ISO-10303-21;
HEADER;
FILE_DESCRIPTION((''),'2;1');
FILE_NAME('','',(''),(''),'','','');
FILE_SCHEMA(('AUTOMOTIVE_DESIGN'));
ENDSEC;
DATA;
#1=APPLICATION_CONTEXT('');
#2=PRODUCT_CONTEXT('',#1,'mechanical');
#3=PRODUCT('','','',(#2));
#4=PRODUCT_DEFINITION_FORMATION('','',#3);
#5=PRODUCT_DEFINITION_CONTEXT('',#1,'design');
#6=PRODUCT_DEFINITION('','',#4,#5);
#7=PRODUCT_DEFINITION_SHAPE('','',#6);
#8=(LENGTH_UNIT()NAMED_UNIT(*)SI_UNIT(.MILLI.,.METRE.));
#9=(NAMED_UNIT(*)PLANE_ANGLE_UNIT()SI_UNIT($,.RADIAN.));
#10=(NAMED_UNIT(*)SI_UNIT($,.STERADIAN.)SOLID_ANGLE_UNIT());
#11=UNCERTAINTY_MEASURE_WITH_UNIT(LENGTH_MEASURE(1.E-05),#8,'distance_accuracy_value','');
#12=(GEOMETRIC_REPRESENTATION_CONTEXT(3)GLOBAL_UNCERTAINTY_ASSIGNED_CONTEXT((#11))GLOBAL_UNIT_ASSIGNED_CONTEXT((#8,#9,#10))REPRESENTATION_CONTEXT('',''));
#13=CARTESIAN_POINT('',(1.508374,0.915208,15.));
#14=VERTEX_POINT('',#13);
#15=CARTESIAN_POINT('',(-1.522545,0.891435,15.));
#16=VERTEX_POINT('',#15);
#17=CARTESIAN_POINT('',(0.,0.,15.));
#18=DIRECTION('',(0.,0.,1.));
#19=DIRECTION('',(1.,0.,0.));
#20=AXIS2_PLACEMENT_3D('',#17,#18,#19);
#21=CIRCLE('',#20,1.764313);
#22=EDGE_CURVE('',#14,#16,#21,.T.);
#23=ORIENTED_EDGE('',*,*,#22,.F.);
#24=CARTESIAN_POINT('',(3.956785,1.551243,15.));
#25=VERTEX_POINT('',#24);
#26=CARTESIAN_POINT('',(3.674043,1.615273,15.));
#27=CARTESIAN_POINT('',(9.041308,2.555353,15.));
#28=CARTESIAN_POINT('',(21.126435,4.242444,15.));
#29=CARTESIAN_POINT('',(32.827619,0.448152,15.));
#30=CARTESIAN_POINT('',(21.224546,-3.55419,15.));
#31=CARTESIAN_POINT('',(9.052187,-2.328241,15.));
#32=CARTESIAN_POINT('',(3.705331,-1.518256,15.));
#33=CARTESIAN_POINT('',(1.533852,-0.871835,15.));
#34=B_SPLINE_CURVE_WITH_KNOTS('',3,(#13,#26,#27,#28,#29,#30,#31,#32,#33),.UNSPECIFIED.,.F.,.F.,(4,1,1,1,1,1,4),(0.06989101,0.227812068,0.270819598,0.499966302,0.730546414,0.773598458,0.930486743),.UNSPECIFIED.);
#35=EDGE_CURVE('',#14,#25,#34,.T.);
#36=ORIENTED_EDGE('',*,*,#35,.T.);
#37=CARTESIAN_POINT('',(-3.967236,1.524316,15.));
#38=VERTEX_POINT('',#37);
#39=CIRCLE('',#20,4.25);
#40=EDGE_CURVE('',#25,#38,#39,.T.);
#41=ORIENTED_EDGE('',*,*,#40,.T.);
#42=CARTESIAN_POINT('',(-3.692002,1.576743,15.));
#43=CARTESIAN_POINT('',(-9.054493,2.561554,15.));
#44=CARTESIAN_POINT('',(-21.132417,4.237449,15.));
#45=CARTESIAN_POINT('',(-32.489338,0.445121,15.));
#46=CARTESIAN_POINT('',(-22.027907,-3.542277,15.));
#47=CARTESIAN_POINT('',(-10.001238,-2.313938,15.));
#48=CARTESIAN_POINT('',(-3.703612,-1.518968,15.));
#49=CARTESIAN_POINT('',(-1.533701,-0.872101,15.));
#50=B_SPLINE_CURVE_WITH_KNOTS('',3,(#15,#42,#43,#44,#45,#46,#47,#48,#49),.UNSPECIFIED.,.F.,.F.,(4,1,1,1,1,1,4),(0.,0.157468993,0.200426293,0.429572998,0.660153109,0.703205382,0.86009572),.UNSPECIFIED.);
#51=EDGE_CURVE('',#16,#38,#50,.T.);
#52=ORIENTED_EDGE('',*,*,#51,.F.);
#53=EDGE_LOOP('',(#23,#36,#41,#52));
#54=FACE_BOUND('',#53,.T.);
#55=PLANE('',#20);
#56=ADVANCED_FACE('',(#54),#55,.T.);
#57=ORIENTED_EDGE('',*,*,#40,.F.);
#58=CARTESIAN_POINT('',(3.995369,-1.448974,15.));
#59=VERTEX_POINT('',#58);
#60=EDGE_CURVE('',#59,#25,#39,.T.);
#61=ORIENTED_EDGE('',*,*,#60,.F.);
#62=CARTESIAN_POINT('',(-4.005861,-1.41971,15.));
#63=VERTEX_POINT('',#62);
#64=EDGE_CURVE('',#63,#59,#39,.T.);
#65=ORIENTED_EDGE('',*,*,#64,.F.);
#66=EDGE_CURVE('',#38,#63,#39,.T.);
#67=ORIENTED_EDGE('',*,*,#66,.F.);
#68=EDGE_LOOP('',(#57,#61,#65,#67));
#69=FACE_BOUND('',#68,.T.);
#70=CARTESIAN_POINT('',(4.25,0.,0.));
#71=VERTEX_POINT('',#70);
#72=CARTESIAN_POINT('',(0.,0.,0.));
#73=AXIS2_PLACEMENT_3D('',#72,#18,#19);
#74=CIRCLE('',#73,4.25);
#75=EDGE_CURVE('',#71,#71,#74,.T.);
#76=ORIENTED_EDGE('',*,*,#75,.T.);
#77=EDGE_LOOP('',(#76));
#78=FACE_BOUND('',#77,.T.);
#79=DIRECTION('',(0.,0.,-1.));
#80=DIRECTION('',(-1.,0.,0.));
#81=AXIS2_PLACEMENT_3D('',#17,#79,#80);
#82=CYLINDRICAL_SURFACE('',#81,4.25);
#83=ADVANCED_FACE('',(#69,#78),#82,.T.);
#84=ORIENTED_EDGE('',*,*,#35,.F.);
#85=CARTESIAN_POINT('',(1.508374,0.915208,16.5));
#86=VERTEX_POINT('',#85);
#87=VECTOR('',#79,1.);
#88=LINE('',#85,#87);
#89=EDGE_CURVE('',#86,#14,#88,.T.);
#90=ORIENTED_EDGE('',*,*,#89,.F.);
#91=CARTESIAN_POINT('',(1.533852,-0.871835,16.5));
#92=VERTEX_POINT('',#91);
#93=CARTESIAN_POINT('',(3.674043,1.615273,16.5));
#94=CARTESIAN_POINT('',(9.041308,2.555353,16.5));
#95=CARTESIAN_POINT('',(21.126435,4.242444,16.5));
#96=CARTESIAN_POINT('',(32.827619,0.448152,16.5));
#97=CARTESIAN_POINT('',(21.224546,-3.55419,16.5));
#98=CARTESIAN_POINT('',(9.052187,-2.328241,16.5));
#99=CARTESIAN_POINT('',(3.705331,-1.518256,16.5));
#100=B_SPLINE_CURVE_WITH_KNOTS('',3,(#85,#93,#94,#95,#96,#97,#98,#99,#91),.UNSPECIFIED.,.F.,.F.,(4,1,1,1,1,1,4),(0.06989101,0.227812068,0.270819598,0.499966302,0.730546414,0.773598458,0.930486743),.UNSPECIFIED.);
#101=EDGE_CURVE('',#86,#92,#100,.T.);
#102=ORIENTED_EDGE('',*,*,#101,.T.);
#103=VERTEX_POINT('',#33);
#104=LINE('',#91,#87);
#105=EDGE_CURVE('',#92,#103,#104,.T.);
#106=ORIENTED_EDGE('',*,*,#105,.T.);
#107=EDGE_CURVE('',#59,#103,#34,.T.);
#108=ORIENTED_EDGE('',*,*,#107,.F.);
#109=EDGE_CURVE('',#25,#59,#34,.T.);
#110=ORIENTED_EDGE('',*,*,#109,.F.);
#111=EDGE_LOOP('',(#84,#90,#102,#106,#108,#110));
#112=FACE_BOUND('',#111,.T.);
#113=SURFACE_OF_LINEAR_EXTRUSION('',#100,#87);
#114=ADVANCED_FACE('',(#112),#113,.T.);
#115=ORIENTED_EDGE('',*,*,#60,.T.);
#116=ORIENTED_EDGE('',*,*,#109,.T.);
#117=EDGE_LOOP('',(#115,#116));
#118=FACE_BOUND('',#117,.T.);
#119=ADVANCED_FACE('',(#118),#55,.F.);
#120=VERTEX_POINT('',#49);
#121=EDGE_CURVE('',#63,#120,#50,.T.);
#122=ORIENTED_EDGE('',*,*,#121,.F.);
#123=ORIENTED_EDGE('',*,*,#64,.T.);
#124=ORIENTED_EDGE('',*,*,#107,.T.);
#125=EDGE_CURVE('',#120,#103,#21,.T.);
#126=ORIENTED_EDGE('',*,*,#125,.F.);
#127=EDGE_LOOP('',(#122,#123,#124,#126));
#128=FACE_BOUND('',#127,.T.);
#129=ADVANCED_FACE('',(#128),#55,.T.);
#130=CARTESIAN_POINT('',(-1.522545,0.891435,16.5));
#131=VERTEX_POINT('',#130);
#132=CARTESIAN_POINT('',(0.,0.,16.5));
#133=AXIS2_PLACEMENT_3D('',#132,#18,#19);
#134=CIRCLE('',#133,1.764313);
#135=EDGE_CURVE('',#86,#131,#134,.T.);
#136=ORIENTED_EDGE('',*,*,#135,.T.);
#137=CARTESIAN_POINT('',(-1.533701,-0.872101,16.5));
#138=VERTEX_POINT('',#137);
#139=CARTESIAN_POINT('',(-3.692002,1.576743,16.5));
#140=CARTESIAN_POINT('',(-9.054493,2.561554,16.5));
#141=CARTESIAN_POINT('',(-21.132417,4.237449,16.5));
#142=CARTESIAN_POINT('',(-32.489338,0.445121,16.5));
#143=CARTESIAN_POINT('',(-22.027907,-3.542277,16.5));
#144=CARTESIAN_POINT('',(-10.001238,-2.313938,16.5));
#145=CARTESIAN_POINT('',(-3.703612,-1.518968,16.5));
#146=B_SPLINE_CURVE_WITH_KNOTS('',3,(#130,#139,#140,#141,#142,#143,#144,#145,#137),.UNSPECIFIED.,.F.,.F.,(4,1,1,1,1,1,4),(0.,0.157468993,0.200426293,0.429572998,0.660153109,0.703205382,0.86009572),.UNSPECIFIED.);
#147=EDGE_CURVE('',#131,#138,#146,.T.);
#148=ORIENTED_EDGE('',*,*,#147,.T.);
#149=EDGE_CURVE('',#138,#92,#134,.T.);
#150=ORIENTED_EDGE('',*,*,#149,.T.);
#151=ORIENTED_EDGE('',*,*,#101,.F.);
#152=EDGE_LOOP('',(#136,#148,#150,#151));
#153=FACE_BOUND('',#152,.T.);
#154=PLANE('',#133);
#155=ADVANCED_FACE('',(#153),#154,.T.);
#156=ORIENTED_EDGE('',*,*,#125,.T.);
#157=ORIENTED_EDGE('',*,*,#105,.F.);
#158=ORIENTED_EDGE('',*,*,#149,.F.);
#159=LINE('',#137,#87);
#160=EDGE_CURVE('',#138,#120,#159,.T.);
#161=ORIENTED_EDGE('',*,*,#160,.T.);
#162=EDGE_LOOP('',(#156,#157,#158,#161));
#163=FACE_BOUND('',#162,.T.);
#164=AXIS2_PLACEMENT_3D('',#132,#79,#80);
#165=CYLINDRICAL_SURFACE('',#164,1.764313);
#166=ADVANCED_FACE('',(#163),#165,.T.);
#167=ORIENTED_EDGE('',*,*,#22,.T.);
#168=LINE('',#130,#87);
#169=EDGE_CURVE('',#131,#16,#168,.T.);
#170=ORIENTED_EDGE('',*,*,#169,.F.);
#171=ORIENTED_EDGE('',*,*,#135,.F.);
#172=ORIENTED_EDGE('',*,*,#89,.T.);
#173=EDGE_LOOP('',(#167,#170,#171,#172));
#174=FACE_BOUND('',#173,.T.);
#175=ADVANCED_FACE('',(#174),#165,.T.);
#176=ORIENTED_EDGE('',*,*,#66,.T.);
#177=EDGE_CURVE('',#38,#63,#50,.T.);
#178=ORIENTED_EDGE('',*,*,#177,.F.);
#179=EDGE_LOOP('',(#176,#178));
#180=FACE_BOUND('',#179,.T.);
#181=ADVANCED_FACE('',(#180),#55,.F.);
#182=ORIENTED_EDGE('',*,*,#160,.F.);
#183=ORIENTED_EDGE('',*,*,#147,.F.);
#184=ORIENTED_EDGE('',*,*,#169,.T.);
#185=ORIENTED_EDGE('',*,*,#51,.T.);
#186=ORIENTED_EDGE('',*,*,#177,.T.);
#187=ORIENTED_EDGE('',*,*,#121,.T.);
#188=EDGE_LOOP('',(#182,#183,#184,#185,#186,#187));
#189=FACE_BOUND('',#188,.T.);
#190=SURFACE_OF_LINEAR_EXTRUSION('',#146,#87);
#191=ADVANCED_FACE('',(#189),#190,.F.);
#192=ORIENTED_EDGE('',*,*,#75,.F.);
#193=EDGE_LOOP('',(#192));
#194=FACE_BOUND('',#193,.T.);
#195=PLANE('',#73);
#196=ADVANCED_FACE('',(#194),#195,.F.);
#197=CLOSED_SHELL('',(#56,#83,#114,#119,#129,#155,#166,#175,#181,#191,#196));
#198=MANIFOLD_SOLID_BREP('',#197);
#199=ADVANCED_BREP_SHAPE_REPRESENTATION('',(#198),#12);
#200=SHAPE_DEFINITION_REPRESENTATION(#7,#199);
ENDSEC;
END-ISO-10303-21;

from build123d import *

# Parameters (mm, degrees)
SKETCH1_R           = 4.25
BOSS_EXTRUDE1_DEPTH = 15
BOSS_EXTRUDE2_DEPTH = 1.5


with BuildPart() as part:
    # Sketch1 → Boss-Extrude1 (new body)
    with BuildSketch(Plane.XY):
        Circle(SKETCH1_R)
    extrude(amount=BOSS_EXTRUDE1_DEPTH)

    # Sketch2 → Boss-Extrude2 (add)
    with BuildSketch(Plane.XY.offset(15)):
        with BuildLine():
            ThreePointArc((-1.533700981, -0.872101101), (0.000153071, -1.764312616), (1.533852284, -0.871834962))
            add(Edge.make_bspline(
                [(1.50837433, 0.915208125), (3.674043468, 1.615273216), (9.041308273, 2.555352687), (21.126434668, 4.242443839), (32.827619063, 0.448151773), (21.224545642, -3.554190079), (9.052186992, -2.328241324), (3.705331431, -1.518255924), (1.533852284, -0.871834962)],
                knots=[0.06989101, 0.06989101, 0.06989101, 0.06989101, 0.227812068, 0.270819598, 0.499966302, 0.730546414, 0.773598458, 0.930486743, 0.930486743, 0.930486743, 0.930486743], degree=3))
            ThreePointArc((1.50837433, 0.915208125), (-0.013837764, 1.764258356), (-1.522544538, 0.891435449))
            add(Edge.make_bspline(
                [(-1.522544538, 0.891435449), (-3.692002254, 1.57674274), (-9.054493456, 2.561553939), (-21.132416772, 4.237449152), (-32.489337553, 0.445121131), (-22.027907319, -3.542276517), (-10.001238176, -2.31393839), (-3.703611965, -1.518967575), (-1.533700981, -0.872101101)],
                knots=[0, 0, 0, 0, 0.157468993, 0.200426293, 0.429572998, 0.660153109, 0.703205382, 0.86009572, 0.86009572, 0.86009572, 0.86009572], degree=3))
        make_face()
    extrude(amount=BOSS_EXTRUDE2_DEPTH)


solid = part.part
